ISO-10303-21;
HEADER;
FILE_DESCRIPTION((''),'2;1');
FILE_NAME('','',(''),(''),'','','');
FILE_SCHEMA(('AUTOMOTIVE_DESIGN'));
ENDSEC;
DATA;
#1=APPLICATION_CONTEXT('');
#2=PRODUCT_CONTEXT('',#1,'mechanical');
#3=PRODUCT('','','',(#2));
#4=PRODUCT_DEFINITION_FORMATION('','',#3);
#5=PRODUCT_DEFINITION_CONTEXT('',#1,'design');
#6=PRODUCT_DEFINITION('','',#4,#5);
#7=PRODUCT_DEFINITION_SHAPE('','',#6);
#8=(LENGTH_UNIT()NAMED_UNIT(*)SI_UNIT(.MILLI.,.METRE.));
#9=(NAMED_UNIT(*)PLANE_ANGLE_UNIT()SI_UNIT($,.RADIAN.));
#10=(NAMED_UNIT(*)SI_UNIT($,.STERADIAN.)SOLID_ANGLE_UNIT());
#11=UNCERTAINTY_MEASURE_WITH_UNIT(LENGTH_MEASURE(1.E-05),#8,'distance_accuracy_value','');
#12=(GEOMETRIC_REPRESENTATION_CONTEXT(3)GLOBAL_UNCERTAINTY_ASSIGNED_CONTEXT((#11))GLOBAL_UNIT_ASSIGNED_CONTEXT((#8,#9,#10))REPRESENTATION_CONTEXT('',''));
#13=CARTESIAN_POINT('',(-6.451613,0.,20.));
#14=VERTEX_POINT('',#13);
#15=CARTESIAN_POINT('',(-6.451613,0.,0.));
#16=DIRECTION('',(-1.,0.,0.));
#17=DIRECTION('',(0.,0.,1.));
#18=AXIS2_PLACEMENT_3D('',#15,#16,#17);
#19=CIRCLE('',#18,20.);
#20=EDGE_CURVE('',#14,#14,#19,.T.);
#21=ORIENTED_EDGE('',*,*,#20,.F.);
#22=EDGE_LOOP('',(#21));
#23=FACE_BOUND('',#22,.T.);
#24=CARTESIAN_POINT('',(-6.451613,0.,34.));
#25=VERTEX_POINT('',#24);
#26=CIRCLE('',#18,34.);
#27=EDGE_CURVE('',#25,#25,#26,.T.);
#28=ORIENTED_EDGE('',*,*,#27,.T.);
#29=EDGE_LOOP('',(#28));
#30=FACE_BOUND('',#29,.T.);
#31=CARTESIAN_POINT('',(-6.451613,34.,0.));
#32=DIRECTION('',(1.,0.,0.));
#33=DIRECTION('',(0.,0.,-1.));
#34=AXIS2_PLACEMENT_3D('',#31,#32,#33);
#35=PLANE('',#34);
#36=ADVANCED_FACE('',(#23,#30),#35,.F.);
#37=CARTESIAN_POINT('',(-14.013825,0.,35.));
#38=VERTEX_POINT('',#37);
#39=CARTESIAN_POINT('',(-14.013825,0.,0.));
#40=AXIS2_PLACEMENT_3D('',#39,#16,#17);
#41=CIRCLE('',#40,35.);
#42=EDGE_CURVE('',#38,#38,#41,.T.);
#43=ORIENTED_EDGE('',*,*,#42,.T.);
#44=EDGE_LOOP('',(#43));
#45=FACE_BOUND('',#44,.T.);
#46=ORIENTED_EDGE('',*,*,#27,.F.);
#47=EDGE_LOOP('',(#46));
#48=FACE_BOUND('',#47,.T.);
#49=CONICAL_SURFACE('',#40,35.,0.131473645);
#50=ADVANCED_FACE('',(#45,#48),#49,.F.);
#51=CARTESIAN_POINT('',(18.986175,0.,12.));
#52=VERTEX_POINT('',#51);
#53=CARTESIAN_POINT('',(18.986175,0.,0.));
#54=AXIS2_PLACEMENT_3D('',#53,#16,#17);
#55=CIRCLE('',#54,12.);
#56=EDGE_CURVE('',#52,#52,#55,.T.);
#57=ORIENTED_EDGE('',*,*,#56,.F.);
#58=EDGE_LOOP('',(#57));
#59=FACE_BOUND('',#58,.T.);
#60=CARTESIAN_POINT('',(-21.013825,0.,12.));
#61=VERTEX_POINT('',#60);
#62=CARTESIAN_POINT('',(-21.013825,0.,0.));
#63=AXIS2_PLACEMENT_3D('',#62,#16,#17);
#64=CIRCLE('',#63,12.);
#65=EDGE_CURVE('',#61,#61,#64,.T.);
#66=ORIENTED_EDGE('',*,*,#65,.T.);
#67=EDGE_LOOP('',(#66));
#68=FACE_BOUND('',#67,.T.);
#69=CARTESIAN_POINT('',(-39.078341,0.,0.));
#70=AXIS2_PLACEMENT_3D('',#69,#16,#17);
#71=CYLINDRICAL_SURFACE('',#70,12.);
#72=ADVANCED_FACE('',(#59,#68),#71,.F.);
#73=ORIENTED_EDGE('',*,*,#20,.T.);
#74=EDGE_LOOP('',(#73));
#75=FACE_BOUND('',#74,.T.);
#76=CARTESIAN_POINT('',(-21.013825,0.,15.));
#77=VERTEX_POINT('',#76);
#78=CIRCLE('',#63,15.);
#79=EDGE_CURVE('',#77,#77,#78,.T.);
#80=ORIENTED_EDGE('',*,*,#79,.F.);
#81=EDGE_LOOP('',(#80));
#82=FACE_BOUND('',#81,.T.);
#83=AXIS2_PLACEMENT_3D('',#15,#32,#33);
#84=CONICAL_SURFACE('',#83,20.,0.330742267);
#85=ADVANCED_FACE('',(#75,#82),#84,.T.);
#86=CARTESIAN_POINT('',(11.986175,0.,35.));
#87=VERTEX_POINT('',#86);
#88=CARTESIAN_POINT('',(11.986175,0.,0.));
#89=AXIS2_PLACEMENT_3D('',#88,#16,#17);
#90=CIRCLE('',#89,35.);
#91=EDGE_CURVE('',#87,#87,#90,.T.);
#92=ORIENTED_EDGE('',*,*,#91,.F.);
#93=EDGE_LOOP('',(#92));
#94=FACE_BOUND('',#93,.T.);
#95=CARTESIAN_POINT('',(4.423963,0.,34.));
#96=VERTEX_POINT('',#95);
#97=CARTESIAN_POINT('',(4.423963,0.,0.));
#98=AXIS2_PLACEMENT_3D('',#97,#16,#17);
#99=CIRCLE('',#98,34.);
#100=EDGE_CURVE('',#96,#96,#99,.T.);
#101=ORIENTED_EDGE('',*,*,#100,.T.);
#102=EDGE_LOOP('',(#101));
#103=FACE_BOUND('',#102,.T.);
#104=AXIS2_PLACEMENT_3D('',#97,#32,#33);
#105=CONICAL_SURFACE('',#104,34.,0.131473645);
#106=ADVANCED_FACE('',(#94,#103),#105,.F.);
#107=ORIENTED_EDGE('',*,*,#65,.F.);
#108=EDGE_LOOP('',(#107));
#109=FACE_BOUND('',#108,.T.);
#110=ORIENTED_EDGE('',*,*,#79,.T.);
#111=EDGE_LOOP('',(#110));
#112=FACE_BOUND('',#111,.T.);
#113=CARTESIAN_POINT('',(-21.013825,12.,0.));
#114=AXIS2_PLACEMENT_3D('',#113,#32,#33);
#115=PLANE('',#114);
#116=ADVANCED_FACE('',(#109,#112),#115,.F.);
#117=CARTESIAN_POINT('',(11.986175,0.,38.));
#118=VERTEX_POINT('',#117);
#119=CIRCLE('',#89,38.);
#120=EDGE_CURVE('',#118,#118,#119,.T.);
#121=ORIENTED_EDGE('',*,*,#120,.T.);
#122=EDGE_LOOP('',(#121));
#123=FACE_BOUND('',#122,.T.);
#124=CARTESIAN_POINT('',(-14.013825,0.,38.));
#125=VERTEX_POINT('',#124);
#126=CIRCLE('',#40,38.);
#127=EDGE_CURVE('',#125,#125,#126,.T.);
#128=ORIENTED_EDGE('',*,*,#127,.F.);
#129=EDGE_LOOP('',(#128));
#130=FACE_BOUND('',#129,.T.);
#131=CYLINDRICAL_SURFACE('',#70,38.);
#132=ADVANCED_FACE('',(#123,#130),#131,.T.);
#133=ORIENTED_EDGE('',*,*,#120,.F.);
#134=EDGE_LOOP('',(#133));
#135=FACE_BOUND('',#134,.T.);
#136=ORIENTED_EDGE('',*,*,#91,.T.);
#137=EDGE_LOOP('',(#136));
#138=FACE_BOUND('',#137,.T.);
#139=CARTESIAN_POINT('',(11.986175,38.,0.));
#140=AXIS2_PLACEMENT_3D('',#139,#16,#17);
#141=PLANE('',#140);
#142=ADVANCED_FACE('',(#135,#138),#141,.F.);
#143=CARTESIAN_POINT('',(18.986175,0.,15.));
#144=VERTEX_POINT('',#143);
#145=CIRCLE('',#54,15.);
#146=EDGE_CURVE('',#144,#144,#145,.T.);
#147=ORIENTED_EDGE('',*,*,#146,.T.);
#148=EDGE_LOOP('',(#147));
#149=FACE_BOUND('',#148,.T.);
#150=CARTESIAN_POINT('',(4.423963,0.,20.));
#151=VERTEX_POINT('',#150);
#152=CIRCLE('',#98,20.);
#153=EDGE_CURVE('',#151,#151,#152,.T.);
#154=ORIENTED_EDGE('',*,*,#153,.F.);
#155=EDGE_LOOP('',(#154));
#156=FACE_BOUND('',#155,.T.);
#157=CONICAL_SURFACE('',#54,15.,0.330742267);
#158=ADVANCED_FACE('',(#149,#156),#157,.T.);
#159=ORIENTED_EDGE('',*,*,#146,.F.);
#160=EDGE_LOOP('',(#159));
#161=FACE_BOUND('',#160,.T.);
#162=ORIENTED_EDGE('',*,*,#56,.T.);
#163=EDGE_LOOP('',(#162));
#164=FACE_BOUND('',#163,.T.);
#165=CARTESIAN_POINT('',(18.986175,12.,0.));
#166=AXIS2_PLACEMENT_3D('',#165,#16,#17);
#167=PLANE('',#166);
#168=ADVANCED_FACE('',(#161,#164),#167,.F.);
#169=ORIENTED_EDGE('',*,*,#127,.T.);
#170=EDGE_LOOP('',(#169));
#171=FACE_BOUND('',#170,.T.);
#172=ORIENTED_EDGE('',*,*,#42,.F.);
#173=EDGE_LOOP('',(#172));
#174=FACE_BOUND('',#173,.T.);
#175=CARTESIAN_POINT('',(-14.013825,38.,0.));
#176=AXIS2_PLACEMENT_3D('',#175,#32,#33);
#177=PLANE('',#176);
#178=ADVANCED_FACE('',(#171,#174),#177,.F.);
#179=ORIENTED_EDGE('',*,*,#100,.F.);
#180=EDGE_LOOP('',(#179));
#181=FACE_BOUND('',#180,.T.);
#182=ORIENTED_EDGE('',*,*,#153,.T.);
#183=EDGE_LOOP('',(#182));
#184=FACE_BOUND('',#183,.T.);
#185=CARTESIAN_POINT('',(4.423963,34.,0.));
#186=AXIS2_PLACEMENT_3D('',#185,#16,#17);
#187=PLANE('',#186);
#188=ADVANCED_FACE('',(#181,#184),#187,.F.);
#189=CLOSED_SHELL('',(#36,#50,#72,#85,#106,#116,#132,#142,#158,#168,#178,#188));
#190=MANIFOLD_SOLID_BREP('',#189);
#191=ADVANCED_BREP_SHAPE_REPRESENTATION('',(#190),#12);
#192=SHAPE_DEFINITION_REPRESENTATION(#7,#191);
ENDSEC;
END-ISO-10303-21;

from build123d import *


with BuildPart() as part:
    # Sketch3 → Revolve1 (revolve)
    with BuildSketch(Plane.XY, mode=Mode.PRIVATE) as revolve1_sk:
        Polygon((-21.013824885, 12), (18.986175115, 12), (18.986175115, 15), (4.423963134, 20), (4.423963134, 34), (11.986175115, 35), (11.986175115, 38), (-14.013824885, 38), (-14.013824885, 35), (-6.451612903, 34), (-6.451612903, 20), (-21.013824885, 15), align=None)
    revolve(revolve1_sk.sketch.rotate(Axis((-39.078341014, 0, 0), (1, 0, 0)), 90), axis=Axis((-39.078341014, 0, 0), (1, 0, 0)))


solid = part.part
